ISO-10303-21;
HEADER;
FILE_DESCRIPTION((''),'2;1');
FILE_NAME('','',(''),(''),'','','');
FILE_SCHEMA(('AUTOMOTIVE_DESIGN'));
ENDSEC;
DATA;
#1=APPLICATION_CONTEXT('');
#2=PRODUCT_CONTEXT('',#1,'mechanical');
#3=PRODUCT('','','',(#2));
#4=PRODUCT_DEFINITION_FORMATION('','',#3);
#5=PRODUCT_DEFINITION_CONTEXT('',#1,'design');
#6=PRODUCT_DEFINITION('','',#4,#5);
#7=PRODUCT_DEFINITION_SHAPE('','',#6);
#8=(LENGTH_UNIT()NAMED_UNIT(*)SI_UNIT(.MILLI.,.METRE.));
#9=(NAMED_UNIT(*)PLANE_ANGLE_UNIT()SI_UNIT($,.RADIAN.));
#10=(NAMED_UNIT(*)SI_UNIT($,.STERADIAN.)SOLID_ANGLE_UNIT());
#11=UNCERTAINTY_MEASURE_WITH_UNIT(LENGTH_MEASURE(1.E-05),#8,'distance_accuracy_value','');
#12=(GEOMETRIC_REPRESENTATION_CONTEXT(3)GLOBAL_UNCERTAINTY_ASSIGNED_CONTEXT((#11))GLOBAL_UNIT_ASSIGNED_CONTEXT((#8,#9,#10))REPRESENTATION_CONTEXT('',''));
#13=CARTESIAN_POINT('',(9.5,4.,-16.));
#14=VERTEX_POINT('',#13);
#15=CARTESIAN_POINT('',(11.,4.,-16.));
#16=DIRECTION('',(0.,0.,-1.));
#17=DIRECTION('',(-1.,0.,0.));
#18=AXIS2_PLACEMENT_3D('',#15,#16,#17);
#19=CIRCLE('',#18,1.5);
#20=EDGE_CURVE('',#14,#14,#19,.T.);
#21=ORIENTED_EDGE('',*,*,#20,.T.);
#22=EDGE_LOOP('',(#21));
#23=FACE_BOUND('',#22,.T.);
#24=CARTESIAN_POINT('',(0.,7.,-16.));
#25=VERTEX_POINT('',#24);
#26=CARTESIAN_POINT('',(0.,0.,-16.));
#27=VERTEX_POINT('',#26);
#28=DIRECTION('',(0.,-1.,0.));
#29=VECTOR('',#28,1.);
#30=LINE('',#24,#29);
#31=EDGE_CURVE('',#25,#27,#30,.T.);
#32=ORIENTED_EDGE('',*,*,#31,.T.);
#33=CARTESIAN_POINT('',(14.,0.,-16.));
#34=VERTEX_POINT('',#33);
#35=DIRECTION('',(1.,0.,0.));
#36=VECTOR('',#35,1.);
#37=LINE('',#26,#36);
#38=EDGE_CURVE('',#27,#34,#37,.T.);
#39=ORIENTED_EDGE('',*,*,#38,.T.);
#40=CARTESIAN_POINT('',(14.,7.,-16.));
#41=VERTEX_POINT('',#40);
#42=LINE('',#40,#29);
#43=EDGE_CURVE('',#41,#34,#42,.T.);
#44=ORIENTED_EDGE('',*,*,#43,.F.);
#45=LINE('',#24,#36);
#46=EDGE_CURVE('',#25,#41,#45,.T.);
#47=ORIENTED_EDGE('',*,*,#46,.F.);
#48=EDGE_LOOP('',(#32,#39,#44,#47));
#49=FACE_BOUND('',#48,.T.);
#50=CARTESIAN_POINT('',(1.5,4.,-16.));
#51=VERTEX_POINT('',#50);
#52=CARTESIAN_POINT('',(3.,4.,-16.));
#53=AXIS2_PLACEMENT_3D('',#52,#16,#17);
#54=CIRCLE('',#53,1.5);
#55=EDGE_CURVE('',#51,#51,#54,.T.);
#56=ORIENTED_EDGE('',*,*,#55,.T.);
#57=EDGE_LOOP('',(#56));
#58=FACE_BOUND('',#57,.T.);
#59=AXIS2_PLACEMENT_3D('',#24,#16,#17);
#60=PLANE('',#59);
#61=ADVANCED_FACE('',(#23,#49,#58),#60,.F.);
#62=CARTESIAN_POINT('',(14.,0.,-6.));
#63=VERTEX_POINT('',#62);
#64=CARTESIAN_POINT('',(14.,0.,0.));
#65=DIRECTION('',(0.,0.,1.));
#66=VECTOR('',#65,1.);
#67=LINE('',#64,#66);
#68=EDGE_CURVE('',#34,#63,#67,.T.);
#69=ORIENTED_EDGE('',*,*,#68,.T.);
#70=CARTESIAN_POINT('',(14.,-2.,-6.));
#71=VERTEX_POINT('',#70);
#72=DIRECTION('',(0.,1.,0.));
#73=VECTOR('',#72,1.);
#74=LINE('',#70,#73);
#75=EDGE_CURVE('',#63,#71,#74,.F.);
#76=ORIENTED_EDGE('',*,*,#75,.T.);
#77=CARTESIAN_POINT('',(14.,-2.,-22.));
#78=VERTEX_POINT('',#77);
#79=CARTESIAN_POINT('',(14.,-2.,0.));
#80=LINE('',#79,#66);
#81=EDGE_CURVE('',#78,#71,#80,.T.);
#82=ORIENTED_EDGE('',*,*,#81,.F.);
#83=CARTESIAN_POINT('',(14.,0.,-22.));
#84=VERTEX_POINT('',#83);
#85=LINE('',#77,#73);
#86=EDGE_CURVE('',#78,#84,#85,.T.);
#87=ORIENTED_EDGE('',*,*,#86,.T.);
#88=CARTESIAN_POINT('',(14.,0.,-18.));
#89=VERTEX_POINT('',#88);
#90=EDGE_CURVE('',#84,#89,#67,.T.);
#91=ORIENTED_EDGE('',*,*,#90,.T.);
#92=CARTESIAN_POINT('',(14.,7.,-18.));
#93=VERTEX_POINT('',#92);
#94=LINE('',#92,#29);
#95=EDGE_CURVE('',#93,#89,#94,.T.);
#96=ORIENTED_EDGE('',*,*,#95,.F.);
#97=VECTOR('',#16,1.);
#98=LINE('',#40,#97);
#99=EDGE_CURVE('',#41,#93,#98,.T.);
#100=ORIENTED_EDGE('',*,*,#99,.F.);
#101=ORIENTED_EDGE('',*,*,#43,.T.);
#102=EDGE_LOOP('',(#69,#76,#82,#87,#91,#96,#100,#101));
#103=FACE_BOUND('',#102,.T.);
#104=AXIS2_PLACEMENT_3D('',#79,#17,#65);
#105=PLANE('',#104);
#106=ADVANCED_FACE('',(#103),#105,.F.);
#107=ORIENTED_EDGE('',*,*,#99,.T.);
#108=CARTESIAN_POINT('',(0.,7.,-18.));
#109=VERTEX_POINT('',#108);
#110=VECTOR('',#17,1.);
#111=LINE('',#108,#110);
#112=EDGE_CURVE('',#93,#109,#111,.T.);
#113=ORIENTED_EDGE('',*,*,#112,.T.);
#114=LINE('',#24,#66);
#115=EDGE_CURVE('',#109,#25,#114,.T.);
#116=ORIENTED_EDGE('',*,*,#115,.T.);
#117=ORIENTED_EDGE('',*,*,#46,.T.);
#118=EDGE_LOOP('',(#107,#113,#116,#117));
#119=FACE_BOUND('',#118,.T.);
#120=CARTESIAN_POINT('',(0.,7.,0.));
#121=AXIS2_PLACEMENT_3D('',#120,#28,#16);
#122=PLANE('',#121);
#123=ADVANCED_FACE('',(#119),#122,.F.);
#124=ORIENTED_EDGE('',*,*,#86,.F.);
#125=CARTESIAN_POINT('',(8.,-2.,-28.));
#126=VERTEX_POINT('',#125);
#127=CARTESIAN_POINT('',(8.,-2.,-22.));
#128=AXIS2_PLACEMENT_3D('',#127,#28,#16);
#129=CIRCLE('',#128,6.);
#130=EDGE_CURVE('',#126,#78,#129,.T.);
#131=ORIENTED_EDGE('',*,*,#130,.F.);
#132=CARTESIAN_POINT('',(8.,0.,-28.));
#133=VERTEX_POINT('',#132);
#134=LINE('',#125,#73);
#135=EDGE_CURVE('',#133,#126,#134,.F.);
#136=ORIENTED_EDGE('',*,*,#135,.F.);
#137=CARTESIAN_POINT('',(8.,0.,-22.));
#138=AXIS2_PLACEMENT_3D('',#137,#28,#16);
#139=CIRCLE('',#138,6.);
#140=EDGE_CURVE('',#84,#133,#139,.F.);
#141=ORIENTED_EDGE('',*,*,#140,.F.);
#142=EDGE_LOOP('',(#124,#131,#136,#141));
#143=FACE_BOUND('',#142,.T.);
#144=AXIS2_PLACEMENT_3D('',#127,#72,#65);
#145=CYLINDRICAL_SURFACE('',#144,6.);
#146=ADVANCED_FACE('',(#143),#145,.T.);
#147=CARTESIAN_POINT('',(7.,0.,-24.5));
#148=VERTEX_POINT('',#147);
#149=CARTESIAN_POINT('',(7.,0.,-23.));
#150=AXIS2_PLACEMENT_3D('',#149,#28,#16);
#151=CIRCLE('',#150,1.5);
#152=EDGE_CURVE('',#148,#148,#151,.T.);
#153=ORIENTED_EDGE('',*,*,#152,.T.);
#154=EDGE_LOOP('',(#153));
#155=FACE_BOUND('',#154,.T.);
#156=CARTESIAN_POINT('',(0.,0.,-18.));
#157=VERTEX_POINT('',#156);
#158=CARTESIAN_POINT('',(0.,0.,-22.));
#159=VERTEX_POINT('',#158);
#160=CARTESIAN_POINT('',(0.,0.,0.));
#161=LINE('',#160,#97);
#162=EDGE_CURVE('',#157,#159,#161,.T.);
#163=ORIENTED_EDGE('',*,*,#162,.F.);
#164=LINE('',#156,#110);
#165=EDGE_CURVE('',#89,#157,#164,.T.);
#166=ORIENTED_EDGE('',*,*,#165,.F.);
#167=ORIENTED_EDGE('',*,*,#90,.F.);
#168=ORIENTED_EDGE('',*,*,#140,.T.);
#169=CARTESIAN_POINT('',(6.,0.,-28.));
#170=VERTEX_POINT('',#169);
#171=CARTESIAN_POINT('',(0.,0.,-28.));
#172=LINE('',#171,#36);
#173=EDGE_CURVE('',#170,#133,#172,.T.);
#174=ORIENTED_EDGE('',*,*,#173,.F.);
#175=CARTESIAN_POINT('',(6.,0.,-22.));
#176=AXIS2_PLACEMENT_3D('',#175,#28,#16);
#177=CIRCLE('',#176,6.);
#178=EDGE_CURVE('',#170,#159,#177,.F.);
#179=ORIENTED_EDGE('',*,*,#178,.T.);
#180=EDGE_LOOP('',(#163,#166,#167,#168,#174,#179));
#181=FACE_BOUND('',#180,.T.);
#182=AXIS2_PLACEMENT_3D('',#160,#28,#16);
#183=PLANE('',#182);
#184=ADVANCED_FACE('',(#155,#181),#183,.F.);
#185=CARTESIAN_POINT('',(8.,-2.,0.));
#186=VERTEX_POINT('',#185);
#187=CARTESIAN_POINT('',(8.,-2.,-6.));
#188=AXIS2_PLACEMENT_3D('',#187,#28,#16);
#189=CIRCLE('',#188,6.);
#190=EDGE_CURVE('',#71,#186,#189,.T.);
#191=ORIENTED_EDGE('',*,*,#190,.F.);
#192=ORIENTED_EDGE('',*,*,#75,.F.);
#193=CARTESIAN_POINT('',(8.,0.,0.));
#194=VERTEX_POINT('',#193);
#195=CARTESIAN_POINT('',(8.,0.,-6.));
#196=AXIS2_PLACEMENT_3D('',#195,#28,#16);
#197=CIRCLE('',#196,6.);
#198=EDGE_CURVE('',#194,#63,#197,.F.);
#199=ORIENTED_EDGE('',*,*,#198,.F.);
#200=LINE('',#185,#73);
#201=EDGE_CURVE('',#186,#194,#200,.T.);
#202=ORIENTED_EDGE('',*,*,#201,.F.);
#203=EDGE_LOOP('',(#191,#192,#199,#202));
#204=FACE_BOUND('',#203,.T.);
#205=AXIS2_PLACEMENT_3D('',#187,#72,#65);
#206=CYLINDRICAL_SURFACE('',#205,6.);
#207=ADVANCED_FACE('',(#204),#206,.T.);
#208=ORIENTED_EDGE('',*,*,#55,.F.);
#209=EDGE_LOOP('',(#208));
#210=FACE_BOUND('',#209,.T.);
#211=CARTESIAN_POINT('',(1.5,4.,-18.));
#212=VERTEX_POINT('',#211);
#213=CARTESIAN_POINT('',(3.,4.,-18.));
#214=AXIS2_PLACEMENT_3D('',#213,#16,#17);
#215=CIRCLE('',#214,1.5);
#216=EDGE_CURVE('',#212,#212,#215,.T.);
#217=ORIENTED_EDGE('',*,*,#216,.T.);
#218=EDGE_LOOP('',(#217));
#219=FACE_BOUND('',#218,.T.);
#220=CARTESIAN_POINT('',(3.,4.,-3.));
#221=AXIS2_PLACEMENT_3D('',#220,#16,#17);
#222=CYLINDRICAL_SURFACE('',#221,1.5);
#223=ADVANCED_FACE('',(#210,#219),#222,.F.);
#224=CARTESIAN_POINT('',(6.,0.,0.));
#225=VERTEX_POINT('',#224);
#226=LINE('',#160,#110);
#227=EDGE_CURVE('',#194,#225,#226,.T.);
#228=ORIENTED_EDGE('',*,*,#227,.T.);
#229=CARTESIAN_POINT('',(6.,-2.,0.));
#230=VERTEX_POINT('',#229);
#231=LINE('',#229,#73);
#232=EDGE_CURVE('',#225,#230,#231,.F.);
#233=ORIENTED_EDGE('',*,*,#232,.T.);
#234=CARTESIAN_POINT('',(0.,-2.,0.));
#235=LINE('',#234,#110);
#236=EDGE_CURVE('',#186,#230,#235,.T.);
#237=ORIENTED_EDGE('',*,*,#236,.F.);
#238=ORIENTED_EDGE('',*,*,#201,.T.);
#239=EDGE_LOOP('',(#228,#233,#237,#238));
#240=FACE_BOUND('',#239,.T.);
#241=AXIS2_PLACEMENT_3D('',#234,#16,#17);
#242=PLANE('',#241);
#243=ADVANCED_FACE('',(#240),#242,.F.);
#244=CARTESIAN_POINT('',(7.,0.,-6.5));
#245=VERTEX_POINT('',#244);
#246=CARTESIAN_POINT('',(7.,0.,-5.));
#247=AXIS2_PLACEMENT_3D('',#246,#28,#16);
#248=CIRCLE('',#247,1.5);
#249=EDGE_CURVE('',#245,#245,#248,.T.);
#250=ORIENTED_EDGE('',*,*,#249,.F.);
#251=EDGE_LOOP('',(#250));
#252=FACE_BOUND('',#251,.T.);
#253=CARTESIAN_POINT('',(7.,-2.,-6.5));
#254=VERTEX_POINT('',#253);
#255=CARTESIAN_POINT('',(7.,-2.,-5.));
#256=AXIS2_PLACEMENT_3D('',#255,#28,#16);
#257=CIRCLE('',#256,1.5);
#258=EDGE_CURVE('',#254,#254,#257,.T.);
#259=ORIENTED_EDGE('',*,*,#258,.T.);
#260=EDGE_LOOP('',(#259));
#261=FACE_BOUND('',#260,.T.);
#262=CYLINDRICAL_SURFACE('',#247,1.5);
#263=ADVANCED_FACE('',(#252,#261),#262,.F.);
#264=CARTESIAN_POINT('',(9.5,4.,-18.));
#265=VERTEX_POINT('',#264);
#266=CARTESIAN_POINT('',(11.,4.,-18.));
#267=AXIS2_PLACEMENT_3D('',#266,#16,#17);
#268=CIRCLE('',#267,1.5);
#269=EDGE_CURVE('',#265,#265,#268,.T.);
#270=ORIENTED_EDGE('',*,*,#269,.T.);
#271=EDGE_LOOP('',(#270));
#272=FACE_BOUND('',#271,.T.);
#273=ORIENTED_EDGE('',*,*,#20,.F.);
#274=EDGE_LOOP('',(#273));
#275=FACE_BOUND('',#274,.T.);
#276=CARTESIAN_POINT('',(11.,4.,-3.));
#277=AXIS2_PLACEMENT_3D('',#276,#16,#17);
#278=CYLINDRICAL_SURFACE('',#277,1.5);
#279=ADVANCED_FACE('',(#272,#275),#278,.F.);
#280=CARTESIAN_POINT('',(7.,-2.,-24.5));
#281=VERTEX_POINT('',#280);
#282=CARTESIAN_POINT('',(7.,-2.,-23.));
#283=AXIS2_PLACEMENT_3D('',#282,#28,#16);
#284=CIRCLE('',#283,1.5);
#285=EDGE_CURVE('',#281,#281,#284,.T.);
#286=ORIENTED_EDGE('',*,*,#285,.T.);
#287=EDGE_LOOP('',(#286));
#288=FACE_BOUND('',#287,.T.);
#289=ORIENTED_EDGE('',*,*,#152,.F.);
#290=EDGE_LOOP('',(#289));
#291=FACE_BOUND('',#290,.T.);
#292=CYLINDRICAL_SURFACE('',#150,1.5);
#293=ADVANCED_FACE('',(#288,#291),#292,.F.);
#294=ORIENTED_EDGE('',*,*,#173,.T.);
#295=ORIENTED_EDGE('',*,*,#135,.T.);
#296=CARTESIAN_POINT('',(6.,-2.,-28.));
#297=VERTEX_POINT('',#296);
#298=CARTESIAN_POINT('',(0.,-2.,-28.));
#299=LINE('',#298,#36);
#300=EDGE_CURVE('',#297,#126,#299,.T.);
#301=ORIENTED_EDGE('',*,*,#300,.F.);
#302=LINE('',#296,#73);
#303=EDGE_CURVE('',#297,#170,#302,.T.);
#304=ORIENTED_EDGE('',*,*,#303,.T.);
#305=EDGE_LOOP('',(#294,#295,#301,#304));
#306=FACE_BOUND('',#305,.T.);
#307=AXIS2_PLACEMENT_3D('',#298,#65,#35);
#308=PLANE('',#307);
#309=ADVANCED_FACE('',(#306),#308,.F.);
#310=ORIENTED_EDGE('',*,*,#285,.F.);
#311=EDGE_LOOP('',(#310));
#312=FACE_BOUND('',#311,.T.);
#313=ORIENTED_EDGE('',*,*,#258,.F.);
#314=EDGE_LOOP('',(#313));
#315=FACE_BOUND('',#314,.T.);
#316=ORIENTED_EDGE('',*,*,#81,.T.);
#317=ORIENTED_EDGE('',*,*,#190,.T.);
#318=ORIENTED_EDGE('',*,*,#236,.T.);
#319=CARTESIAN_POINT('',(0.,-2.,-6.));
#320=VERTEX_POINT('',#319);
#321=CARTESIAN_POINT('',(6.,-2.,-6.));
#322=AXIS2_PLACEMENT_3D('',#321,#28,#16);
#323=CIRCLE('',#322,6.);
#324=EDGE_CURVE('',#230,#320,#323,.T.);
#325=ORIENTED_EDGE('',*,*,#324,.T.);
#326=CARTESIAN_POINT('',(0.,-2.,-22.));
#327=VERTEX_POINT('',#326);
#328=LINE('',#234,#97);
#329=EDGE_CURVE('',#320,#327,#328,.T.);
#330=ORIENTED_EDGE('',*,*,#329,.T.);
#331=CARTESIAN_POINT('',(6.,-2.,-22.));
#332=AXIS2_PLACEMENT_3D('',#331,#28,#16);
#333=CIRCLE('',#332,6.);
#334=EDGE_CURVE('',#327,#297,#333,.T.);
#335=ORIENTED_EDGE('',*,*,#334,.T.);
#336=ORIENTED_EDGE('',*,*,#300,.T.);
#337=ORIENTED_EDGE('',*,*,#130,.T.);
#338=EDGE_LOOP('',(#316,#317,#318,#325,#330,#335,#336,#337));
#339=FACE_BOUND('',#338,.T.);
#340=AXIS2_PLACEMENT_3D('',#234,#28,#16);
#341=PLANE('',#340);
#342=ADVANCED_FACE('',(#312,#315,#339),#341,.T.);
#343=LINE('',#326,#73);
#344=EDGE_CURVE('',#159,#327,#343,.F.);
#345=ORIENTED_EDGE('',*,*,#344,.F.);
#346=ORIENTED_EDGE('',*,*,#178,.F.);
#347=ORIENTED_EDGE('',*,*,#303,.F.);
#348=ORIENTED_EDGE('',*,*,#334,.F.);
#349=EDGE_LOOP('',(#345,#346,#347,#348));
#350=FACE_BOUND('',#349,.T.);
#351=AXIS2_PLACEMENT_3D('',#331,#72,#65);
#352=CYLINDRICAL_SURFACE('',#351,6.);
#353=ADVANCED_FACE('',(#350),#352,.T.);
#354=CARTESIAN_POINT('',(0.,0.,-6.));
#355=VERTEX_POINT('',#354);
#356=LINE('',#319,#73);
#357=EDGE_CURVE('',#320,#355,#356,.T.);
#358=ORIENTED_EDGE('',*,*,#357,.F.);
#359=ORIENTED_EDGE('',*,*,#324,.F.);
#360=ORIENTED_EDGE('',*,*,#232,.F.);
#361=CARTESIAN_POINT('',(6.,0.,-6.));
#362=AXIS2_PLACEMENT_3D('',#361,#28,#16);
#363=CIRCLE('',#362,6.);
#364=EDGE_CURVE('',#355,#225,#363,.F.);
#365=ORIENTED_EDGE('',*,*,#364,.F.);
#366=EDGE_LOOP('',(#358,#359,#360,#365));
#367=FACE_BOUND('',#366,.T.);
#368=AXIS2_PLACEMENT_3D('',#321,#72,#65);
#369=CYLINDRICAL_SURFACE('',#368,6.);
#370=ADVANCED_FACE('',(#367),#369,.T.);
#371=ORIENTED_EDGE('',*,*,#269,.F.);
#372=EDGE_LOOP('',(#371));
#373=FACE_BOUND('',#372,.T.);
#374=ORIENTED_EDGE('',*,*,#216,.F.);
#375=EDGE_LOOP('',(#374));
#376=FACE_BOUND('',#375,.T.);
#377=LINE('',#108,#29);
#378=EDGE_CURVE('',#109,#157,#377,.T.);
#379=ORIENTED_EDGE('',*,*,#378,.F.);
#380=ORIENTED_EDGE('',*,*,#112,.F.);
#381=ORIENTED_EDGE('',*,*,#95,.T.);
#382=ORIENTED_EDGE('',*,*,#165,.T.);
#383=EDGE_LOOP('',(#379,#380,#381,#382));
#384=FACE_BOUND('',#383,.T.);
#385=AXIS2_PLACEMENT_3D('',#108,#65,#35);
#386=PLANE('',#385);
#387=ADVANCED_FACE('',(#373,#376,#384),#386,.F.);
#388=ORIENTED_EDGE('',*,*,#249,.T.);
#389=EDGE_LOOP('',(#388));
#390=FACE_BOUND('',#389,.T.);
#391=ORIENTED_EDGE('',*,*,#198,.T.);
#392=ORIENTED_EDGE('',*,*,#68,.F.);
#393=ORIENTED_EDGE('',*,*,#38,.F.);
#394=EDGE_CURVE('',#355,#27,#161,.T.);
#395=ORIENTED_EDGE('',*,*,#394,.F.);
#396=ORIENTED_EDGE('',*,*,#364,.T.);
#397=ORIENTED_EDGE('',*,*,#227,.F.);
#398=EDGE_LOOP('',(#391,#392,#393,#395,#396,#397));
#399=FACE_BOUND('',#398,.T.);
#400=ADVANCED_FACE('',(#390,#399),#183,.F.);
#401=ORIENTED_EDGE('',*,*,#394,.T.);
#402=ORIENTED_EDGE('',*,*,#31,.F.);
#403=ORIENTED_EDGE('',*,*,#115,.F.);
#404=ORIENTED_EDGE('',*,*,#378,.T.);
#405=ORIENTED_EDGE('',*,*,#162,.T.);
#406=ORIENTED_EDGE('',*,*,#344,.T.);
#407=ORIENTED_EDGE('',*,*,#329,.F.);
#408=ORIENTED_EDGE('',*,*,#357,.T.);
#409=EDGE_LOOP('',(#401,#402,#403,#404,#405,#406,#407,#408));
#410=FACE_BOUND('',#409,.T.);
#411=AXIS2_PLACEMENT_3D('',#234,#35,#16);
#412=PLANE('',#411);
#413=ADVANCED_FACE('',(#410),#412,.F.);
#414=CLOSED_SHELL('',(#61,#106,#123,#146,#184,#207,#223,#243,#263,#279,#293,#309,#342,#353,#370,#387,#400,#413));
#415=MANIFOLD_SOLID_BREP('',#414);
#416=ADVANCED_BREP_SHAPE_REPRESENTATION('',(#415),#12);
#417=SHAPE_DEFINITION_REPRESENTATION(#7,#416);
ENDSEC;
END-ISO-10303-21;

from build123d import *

# Parameters (mm, degrees)
SKETCH_1_W          = 14
SKETCH_1_H          = 28
EXTRUDE_1_DEPTH     = 2
SKETCH_2_R          = 1.5
CUT_EXTRUDE_1_DEPTH = 2
SKETCH_3_W          = 14
SKETCH_3_H          = 2
EXTRUDE_2_DEPTH     = 7
FILLET_1_R          = 6
SKETCH_4_R          = 1.5
CUT_EXTRUDE_2_DEPTH = 15


with BuildPart() as part:
    # Эскиз1 → Бобышка-Вытянуть1 (new body)
    with BuildSketch(Plane.XZ):
        with Locations((7, -14)):
            Rectangle(SKETCH_1_W, SKETCH_1_H)
    extrude(amount=EXTRUDE_1_DEPTH)

    # Эскиз2 → Вырез-Вытянуть1 (cut)
    with BuildSketch(Plane.XZ.offset(2)):
        with Locations(Location((7, -5, 0), (0, 0, 270))):
            Circle(SKETCH_2_R)
        with Locations(Location((7, -23, 0), (0, 0, 270))):
            Circle(SKETCH_2_R)
    extrude(amount=-CUT_EXTRUDE_1_DEPTH, mode=Mode.SUBTRACT)

    # Эскиз3 → Бобышка-Вытянуть2 (add)
    with BuildSketch(Plane(origin=(0, 0, 0), x_dir=(1, 0, 0), z_dir=(0, 1, 0))):
        with Locations((7, 17)):
            Rectangle(SKETCH_3_W, SKETCH_3_H)
    extrude(amount=EXTRUDE_2_DEPTH)

    # Скругление1
    fillet_1_edges = [part.edges().sort_by_distance(p)[0] for p in [
        (0, -1, 0),
        (14, -1, 0),
        (14, -1, -28),
        (0, -1, -28),
    ]]
    fillet(fillet_1_edges, radius=FILLET_1_R)

    # Эскиз4 → Вырез-Вытянуть2 (cut)
    with BuildSketch(Plane(origin=(0, 0, -18), x_dir=(-1, 0, 0), z_dir=(0, 0, -1))):
        with Locations((-11, 4)):
            Circle(SKETCH_4_R)
        with Locations((-3, 4)):
            Circle(SKETCH_4_R)
    extrude(amount=-CUT_EXTRUDE_2_DEPTH, mode=Mode.SUBTRACT)


solid = part.part
